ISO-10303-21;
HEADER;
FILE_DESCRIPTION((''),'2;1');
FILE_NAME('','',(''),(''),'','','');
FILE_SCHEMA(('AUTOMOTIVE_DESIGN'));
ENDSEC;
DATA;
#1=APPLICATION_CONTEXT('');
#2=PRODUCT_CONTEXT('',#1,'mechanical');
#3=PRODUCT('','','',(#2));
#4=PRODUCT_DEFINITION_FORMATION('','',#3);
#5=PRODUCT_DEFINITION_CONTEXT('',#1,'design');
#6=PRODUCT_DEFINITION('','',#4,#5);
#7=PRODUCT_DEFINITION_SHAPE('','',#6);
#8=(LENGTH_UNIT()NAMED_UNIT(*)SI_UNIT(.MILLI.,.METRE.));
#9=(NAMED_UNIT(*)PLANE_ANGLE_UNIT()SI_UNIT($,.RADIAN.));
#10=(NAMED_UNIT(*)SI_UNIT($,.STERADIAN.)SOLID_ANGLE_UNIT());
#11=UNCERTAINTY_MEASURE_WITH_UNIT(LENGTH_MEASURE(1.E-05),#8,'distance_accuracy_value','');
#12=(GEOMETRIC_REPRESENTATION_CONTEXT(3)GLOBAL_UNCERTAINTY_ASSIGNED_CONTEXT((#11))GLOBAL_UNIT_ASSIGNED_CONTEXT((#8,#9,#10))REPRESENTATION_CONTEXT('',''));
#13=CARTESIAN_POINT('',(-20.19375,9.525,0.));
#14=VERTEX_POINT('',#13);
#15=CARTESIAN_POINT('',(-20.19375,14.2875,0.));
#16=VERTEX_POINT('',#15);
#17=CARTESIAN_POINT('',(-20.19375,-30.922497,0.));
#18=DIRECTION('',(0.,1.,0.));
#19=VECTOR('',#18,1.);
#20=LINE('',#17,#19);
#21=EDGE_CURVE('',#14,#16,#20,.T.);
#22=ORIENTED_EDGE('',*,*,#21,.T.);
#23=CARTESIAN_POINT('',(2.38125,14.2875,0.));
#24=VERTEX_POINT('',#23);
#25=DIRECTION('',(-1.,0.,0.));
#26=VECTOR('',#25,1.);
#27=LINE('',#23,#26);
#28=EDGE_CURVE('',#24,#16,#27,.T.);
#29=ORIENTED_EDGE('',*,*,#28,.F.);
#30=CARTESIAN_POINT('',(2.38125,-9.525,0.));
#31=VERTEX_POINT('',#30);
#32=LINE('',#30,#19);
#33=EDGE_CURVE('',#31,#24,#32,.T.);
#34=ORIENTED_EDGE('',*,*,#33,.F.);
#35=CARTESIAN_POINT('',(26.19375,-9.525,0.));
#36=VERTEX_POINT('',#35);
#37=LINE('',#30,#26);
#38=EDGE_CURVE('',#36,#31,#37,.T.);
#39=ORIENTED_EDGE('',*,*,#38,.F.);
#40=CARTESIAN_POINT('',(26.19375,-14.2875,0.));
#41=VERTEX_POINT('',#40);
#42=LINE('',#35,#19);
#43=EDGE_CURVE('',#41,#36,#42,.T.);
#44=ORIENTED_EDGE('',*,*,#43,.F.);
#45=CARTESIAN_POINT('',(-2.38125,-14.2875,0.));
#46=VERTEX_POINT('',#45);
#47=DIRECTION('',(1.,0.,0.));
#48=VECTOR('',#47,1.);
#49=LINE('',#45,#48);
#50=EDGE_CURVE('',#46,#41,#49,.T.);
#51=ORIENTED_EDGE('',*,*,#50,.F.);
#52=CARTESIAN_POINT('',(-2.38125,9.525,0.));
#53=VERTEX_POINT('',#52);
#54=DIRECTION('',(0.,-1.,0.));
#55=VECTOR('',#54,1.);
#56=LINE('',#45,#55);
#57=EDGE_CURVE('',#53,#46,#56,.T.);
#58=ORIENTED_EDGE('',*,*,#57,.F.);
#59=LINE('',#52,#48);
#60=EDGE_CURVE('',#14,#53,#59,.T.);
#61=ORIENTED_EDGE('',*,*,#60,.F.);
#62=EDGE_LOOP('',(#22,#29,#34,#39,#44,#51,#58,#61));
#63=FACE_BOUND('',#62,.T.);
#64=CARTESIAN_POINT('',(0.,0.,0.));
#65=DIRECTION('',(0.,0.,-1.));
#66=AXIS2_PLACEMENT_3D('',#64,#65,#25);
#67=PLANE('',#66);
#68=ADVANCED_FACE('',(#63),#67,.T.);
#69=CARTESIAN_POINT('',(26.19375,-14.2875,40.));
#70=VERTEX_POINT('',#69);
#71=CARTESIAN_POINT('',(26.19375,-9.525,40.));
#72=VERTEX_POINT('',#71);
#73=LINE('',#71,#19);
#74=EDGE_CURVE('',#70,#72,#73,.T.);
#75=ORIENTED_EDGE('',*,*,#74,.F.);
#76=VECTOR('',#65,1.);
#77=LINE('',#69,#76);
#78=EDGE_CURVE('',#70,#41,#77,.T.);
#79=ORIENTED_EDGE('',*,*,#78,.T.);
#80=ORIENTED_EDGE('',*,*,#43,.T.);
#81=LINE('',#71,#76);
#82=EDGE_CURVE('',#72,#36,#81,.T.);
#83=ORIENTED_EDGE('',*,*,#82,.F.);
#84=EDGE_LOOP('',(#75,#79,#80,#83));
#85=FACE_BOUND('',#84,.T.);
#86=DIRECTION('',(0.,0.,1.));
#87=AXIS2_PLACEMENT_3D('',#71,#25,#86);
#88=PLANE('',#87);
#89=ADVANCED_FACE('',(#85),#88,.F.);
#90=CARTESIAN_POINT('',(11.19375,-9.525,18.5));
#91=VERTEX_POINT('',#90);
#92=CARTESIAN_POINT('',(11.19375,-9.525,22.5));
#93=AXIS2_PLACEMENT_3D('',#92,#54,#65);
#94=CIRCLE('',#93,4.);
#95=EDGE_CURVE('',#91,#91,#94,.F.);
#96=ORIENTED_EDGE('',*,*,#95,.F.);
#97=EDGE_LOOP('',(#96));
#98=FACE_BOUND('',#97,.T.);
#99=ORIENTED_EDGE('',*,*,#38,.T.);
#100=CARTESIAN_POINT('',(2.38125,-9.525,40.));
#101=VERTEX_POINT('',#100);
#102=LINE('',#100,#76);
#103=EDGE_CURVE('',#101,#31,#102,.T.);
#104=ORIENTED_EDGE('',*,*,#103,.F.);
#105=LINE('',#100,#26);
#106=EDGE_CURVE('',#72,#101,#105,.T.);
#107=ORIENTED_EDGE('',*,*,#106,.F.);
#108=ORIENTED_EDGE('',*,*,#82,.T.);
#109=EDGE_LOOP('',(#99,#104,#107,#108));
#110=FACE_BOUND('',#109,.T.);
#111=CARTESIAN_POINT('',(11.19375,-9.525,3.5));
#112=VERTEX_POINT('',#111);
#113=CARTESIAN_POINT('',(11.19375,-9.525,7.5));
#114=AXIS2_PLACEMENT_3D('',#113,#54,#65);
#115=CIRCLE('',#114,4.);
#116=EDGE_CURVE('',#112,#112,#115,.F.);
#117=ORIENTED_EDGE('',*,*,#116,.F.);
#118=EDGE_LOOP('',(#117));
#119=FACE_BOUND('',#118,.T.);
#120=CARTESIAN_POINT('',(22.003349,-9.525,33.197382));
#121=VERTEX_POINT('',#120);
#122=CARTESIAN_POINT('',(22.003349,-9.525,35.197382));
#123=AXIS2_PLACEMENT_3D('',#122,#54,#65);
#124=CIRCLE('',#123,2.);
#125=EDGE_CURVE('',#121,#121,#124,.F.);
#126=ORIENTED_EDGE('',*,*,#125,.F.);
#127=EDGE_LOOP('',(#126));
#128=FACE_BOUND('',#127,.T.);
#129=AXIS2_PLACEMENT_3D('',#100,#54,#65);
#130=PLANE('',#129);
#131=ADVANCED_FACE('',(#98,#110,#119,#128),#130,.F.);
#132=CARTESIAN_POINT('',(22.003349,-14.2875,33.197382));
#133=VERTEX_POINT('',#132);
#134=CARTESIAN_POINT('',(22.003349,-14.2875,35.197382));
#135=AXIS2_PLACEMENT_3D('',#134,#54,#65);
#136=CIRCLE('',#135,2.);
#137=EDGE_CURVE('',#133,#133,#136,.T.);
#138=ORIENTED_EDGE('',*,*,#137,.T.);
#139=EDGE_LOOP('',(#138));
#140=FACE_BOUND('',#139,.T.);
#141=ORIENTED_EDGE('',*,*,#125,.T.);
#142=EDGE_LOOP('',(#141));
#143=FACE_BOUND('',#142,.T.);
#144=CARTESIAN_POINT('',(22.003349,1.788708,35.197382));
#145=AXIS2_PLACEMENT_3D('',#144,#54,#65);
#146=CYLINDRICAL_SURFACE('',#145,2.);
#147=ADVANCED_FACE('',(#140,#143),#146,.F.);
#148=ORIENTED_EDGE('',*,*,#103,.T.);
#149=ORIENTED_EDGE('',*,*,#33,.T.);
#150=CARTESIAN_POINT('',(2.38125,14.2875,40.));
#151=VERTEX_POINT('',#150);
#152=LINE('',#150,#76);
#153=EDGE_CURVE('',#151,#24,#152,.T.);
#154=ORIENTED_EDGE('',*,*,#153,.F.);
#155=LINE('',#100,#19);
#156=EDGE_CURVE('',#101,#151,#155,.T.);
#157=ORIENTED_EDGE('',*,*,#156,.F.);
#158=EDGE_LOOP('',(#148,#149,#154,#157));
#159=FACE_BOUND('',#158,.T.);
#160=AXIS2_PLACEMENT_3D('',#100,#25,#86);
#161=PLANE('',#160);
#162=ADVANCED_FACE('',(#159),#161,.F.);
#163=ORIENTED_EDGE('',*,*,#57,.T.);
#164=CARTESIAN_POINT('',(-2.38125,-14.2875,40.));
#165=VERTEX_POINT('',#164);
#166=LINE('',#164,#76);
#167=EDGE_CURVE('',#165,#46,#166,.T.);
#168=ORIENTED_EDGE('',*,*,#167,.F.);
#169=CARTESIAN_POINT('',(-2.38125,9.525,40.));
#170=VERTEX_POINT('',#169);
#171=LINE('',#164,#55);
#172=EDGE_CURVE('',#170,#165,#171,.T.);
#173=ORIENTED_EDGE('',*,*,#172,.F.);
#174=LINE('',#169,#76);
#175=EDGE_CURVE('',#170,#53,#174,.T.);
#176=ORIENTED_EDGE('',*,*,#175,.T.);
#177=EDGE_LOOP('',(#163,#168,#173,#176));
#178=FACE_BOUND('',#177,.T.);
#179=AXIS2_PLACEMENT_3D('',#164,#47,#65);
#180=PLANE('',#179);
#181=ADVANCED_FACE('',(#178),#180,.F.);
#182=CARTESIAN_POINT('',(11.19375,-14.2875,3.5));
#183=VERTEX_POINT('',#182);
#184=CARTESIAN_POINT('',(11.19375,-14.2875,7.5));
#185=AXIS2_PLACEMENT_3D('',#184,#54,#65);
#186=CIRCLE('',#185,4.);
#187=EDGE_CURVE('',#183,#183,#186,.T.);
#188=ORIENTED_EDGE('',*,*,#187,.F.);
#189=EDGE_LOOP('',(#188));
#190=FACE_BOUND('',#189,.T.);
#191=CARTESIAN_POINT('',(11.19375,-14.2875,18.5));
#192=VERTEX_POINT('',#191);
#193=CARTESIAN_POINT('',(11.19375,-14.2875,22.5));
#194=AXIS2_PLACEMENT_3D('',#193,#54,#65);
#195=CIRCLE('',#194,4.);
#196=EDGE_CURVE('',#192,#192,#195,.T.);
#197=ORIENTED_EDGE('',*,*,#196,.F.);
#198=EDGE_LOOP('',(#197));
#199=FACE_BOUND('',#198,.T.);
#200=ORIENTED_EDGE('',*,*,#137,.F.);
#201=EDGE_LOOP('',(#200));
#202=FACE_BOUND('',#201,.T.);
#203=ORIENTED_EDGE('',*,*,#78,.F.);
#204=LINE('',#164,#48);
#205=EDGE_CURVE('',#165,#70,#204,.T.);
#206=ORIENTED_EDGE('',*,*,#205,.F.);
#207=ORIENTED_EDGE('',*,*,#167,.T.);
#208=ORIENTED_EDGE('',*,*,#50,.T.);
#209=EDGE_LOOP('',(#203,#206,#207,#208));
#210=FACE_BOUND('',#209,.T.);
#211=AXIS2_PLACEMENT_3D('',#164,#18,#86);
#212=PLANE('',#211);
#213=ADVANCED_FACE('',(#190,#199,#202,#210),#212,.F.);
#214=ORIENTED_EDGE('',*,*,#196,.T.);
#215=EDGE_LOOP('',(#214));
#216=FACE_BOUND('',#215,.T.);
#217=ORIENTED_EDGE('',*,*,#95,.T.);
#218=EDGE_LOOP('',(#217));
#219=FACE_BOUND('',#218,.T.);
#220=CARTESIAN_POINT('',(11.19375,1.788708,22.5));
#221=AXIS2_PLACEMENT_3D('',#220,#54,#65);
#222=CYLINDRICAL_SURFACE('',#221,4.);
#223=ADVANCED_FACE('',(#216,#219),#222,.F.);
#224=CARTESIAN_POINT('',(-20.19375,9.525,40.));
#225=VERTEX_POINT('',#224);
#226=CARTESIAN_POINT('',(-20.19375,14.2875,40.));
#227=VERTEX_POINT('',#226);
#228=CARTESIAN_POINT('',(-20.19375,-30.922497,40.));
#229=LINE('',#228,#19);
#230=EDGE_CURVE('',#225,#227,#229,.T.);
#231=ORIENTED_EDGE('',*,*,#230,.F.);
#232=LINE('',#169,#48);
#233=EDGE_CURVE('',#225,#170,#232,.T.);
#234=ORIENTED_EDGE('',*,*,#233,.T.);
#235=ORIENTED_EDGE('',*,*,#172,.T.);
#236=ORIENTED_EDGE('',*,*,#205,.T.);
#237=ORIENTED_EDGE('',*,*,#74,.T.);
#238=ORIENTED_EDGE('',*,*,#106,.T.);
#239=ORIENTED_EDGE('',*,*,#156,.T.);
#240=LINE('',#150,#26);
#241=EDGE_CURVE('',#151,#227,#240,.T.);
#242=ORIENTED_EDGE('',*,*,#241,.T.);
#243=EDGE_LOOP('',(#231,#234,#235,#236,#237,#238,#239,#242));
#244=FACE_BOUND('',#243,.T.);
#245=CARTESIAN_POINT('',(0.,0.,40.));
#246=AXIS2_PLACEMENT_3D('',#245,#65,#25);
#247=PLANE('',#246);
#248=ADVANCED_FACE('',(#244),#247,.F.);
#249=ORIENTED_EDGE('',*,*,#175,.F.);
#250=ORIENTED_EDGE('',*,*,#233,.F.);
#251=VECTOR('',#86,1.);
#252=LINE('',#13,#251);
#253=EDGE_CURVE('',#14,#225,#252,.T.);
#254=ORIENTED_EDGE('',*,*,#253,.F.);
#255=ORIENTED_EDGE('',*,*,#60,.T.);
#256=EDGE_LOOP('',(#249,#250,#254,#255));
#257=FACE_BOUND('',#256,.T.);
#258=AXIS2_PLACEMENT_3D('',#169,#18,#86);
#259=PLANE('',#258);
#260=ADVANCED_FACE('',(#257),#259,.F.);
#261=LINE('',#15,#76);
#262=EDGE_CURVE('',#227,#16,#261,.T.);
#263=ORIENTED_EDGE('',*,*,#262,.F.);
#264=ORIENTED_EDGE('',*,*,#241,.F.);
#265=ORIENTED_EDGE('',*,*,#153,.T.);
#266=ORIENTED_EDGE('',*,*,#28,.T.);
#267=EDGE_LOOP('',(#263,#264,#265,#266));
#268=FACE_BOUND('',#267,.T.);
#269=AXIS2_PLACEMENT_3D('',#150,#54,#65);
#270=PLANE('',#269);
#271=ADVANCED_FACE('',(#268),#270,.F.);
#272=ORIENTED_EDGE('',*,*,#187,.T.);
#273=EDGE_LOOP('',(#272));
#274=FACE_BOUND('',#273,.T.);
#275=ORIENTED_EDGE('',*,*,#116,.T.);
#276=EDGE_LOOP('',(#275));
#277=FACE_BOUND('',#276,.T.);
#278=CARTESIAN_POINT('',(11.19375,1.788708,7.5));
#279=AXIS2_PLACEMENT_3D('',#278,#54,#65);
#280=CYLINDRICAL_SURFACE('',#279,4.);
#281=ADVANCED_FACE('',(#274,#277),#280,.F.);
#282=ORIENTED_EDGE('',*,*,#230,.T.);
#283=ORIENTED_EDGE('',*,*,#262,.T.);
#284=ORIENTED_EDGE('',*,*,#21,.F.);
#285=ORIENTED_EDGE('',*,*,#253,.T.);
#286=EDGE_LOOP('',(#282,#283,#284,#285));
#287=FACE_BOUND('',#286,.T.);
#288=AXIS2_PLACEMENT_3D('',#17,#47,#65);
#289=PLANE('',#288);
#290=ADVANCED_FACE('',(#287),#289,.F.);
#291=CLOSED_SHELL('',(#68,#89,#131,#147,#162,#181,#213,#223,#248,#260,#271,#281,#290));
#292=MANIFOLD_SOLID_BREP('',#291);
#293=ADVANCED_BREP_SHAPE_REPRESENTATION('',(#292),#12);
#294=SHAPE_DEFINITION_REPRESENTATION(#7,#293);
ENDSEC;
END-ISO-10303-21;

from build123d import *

# Parameters (mm, degrees)
BOSS_EXTRUDE1_DEPTH = 40
SKETCH4_W           = 6
SKETCH4_H           = 40
CUT_EXTRUDE1_DEPTH  = 4.7625
SKETCH5_R           = 4
SKETCH5_R_2         = 2
CUT_EXTRUDE2_DEPTH  = 4.7625


with BuildPart() as part:
    # Sketch3 → Boss-Extrude1 (new body)
    with BuildSketch(Plane.XY):
        Polygon((26.19375, -9.525), (26.19375, -14.2875), (-2.38125, -14.2875), (-2.38125, 9.525), (-26.19375, 9.525), (-26.19375, 14.2875), (2.38125, 14.2875), (2.38125, -9.525), align=None)
    extrude(amount=BOSS_EXTRUDE1_DEPTH)

    # Sketch4 → Cut-Extrude1 (cut)
    with BuildSketch(Plane(origin=(0, 14.2875, 0), x_dir=(1, 0, 0), z_dir=(0, 1, 0))):
        with Locations((-23.19375, -20)):
            Rectangle(SKETCH4_W, SKETCH4_H)
    extrude(amount=-CUT_EXTRUDE1_DEPTH, mode=Mode.SUBTRACT)

    # Sketch5 → Cut-Extrude2 (cut)
    with BuildSketch(Plane.XZ.offset(14.2875)):
        with Locations(Location((11.19375, 7.5, 0), (0, 0, 270))):
            Circle(SKETCH5_R)
        with Locations(Location((11.19375, 22.5, 0), (0, 0, 270))):
            Circle(SKETCH5_R)
        with Locations(Location((22.0033493, 35.1973816, 0), (0, 0, 270))):
            Circle(SKETCH5_R_2)
    extrude(amount=-CUT_EXTRUDE2_DEPTH, mode=Mode.SUBTRACT)


solid = part.part
